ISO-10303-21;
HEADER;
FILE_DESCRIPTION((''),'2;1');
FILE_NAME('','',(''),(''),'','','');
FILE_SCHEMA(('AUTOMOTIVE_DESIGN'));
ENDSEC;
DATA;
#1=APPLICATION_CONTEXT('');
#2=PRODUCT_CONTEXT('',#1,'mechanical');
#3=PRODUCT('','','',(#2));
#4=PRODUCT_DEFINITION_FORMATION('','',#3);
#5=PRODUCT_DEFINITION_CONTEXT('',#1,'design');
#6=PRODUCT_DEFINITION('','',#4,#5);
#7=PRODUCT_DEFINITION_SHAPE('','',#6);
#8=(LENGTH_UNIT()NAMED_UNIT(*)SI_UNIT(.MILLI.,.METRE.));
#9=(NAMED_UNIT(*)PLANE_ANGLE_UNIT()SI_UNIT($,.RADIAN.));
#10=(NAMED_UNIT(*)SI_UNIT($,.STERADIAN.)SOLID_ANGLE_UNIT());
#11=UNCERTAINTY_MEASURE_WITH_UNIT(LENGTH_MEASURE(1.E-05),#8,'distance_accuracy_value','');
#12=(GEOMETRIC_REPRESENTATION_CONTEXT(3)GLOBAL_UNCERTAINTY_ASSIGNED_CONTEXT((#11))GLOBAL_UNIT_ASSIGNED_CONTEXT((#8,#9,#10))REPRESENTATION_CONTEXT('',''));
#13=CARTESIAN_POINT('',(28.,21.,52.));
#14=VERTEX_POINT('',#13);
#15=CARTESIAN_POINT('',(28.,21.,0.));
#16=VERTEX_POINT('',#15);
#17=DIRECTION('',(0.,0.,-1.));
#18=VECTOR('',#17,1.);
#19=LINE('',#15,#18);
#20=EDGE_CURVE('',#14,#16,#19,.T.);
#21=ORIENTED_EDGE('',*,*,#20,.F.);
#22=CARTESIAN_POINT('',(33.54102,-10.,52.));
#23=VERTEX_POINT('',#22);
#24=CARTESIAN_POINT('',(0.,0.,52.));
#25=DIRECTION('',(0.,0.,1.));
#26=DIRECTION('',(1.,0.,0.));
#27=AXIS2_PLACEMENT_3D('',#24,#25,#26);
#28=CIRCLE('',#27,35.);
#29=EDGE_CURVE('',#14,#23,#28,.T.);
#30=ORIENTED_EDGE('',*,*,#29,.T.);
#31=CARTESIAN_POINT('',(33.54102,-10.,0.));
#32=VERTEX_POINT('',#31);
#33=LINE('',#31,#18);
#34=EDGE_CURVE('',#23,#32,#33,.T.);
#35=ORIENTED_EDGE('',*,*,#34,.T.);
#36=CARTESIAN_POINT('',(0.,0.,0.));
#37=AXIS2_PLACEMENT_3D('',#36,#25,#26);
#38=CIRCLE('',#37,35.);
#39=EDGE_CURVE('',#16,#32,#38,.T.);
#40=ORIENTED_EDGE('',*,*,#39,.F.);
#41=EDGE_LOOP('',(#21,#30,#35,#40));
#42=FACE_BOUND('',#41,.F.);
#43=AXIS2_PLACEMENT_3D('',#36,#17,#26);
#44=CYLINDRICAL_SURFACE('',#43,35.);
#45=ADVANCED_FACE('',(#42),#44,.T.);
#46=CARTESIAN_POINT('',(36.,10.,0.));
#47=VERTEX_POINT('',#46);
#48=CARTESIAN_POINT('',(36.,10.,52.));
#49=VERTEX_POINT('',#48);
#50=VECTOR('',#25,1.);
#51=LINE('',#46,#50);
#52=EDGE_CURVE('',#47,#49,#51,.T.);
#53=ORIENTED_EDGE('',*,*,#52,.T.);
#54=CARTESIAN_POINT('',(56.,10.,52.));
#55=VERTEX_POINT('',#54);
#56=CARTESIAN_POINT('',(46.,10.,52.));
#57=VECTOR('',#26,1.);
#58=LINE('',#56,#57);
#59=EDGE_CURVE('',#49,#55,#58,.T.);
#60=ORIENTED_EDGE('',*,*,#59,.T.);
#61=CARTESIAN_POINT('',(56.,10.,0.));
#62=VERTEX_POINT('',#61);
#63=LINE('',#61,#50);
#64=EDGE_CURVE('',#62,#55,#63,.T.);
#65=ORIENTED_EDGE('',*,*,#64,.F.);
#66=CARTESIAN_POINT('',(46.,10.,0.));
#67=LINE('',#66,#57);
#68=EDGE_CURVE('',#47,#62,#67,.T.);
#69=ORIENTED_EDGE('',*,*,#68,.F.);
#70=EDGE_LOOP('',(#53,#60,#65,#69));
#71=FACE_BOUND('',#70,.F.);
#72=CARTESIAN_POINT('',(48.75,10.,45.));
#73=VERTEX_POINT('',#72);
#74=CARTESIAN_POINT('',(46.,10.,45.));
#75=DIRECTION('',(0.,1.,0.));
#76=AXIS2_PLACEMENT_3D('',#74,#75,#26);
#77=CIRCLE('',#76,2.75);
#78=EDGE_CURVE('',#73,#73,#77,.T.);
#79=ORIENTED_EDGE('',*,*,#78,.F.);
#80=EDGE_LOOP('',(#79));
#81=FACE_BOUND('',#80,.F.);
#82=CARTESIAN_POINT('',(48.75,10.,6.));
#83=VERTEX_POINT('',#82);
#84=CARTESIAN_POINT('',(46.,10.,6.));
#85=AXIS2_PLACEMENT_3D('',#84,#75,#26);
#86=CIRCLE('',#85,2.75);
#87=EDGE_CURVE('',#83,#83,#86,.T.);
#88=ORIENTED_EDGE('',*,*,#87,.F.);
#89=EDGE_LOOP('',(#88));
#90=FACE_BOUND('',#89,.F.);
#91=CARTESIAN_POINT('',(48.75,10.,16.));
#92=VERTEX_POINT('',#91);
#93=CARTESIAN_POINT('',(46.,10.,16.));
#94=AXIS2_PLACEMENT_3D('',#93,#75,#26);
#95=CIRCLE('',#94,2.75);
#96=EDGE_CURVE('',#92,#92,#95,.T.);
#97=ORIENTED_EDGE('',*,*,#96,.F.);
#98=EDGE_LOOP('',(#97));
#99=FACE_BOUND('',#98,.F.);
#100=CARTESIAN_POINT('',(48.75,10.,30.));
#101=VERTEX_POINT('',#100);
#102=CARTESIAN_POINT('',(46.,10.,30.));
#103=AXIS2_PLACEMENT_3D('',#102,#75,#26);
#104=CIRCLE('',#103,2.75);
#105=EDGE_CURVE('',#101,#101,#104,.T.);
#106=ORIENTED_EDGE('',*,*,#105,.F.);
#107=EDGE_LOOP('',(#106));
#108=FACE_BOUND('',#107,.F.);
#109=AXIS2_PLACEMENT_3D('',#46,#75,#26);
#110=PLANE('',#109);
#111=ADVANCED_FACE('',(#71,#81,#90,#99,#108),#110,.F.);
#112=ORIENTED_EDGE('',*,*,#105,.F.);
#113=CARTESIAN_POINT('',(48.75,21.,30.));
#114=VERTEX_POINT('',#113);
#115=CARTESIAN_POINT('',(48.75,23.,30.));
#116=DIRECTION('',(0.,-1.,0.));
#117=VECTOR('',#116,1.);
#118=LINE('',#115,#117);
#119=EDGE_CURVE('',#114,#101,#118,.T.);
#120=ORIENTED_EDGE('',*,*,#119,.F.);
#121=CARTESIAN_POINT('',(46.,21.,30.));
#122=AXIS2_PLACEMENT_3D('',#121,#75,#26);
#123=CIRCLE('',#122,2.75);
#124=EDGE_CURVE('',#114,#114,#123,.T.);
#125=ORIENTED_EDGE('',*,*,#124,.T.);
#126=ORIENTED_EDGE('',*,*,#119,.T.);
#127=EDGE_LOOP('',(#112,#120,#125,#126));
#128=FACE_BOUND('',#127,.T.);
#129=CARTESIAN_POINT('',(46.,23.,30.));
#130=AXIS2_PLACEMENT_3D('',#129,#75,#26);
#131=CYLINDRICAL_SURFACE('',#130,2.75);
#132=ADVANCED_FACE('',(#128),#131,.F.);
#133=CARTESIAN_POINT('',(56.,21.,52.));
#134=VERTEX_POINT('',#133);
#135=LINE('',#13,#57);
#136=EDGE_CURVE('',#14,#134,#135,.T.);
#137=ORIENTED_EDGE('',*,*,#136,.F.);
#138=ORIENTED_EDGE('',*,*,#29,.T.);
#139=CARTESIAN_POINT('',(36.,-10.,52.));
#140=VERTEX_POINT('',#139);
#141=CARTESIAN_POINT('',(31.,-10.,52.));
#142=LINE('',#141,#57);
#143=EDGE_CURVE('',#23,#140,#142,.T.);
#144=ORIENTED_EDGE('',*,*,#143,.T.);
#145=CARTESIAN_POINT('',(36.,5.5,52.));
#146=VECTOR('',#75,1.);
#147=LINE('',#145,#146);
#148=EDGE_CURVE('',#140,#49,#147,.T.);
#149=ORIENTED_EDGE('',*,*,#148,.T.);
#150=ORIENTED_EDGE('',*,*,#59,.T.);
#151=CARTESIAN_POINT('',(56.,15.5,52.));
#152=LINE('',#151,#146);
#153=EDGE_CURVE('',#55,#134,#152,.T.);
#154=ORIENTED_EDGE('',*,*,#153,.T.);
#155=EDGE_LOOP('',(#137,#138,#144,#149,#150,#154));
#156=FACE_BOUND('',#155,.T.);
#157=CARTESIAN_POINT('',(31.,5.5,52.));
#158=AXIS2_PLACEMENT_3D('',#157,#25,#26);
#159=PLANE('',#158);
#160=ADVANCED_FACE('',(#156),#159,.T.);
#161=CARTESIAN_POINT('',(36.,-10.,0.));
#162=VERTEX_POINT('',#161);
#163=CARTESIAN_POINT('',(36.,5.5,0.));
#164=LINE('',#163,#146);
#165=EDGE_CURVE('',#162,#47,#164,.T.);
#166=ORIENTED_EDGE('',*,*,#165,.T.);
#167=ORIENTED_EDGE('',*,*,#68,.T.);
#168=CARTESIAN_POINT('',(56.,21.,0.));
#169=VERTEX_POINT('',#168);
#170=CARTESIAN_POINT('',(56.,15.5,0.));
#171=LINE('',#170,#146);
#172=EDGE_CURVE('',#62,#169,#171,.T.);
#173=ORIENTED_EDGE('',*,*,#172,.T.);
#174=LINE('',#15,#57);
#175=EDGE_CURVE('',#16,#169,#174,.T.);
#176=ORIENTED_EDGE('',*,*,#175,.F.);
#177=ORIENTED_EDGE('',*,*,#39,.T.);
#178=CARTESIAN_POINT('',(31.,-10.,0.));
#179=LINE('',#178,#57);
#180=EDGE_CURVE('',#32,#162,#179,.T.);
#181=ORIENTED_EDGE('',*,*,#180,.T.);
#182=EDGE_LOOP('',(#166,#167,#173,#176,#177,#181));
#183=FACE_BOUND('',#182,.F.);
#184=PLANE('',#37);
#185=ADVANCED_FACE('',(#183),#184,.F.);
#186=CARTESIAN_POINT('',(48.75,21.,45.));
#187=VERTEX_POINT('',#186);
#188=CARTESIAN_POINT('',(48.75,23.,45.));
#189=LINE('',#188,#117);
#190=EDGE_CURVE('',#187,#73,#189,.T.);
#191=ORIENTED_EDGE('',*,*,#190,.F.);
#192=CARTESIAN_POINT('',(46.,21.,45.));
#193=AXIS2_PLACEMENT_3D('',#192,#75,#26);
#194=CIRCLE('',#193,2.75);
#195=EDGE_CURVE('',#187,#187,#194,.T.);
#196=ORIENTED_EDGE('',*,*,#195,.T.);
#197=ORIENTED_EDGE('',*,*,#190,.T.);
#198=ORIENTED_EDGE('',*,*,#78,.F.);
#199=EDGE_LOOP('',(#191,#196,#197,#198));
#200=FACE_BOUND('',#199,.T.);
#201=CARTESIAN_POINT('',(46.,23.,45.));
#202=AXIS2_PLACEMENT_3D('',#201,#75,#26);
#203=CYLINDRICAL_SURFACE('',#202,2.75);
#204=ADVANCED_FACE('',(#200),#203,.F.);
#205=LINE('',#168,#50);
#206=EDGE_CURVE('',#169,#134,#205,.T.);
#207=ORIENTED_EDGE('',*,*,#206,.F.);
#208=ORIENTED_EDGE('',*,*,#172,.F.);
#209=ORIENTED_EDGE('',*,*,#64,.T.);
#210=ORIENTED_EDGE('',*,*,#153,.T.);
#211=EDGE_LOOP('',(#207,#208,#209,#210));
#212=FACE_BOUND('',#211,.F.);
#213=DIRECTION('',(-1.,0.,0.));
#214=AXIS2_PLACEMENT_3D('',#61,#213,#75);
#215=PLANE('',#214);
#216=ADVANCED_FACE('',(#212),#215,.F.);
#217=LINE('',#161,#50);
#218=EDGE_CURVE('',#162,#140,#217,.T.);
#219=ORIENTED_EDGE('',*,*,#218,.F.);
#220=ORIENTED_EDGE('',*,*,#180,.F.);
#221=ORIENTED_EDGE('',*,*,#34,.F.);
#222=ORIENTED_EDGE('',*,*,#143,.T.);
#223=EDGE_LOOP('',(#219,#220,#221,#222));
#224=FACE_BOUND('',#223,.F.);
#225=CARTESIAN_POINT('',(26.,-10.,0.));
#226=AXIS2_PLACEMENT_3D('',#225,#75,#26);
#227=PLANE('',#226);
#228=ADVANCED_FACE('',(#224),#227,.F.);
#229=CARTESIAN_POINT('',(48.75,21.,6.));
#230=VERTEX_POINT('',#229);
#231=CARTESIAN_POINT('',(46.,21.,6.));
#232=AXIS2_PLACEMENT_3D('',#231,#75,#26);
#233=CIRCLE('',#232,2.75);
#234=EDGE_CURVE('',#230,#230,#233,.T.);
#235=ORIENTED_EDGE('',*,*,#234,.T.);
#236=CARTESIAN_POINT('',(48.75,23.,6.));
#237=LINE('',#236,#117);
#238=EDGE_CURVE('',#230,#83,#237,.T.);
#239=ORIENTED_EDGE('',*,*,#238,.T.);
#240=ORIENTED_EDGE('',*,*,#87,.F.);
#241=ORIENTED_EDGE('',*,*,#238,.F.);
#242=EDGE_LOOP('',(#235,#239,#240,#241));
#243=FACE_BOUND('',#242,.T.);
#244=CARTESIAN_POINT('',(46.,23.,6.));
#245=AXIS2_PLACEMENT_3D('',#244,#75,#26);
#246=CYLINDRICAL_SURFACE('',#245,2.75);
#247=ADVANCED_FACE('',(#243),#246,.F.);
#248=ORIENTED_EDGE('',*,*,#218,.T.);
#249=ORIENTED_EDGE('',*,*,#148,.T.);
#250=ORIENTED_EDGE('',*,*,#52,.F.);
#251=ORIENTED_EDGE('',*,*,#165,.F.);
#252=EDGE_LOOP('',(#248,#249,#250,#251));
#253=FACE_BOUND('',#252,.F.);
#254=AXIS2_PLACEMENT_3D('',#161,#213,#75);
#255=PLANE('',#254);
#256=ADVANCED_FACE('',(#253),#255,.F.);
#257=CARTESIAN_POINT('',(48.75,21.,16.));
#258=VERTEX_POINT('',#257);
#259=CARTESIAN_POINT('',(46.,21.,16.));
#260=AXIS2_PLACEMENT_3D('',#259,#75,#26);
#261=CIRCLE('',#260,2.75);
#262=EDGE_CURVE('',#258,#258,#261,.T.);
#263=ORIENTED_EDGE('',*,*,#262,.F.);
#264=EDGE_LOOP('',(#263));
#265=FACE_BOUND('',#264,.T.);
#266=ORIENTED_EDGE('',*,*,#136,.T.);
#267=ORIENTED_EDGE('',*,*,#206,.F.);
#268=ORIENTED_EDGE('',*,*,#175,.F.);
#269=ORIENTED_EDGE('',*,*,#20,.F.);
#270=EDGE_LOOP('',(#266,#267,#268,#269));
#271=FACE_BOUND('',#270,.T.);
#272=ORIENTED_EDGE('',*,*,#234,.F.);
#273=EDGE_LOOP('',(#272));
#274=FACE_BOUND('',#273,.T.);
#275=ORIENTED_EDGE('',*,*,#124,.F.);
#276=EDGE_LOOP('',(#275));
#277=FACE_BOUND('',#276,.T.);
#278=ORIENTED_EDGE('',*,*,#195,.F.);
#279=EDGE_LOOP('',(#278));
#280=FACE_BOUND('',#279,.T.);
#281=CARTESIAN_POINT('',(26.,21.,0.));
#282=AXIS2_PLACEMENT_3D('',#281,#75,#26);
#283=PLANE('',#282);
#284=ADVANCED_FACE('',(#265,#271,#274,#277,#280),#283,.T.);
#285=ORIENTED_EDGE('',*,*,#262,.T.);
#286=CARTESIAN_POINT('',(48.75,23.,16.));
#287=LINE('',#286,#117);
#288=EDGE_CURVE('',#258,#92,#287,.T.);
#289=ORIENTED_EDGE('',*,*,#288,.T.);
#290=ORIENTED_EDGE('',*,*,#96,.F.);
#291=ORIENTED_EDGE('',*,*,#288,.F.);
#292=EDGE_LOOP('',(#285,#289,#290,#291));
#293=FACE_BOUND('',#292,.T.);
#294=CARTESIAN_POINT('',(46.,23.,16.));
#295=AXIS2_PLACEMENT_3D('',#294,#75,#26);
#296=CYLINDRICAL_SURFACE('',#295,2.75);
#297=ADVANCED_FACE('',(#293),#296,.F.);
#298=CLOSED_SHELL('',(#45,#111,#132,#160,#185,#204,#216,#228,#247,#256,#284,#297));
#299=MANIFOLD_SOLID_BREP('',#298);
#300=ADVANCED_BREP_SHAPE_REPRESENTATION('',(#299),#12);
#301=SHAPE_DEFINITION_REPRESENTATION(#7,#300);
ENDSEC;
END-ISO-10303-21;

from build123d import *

# Parameters (mm, degrees)
CYLINDER001_R          = 2.75
CYLINDER001_DEPTH      = 15
CYLINDER001_ROLL_ANGLE = 90
CYLINDER002_R          = 2.75
CYLINDER002_DEPTH      = 15
CYLINDER002_ROLL_ANGLE = 90
CYLINDER003_R          = 2.75
CYLINDER003_DEPTH      = 15
CYLINDER003_ROLL_ANGLE = 90
CYLINDER_R             = 2.75
CYLINDER_DEPTH         = 15
CYLINDER_ROLL_ANGLE    = 90
BOX_W                  = 20
BOX_H                  = 11
BOX_DEPTH              = 52
BOX001_W               = 10
BOX001_H               = 31
BOX001_DEPTH           = 52
CYLINDER004_R          = 35
CYLINDER004_DEPTH      = 52


with BuildPart() as cylinder001:
    # Cylinder001 → Cylinder001 (new body)
    with BuildSketch(Plane.XY):
        Circle(CYLINDER001_R)
    extrude(amount=CYLINDER001_DEPTH)


with BuildPart() as cylinder001_1:
    # Cylinder001 roll: moved
    add(cylinder001.part.rotate(Axis((0, 0, 0), (1, 0, 0)), CYLINDER001_ROLL_ANGLE))


with BuildPart() as cylinder001_2:
    # Cylinder001 placement: moved
    add(cylinder001_1.part.moved(Location((46, 23, 6))))


with BuildPart() as cylinder002:
    # Cylinder002 → Cylinder002 (new body)
    with BuildSketch(Plane.XY):
        Circle(CYLINDER002_R)
    extrude(amount=CYLINDER002_DEPTH)


with BuildPart() as cylinder002_1:
    # Cylinder002 roll: moved
    add(cylinder002.part.rotate(Axis((0, 0, 0), (1, 0, 0)), CYLINDER002_ROLL_ANGLE))


with BuildPart() as cylinder002_2:
    # Cylinder002 placement: moved
    add(cylinder002_1.part.moved(Location((46, 23, 16))))


with BuildPart() as cylinder003:
    # Cylinder003 → Cylinder003 (new body)
    with BuildSketch(Plane.XY):
        Circle(CYLINDER003_R)
    extrude(amount=CYLINDER003_DEPTH)


with BuildPart() as cylinder003_1:
    # Cylinder003 roll: moved
    add(cylinder003.part.rotate(Axis((0, 0, 0), (1, 0, 0)), CYLINDER003_ROLL_ANGLE))


with BuildPart() as cylinder003_2:
    # Cylinder003 placement: moved
    add(cylinder003_1.part.moved(Location((46, 23, 45))))


with BuildPart() as negative_fusion:
    # Cylinder → Cylinder (new body)
    with BuildSketch(Plane.XY):
        Circle(CYLINDER_R)
    extrude(amount=CYLINDER_DEPTH)


with BuildPart() as negative_fusion_1:
    # Cylinder roll: moved
    add(negative_fusion.part.rotate(Axis((0, 0, 0), (1, 0, 0)), CYLINDER_ROLL_ANGLE))


with BuildPart() as negative_fusion_2:
    # Cylinder placement: moved
    add(negative_fusion_1.part.moved(Location((46, 23, 30))))

    # Fusion: union Cylinder001, Cylinder002, Cylinder003
    add(cylinder001_2.part)
    add(cylinder002_2.part)
    add(cylinder003_2.part)


with BuildPart() as cube:
    # Box → Box (new body)
    with BuildSketch(Plane(origin=(36, 10, 0), x_dir=(1, 0, 0), z_dir=(0, 0, 1))):
        with Locations((10, 5.5)):
            Rectangle(BOX_W, BOX_H)
    extrude(amount=BOX_DEPTH)


with BuildPart() as cube001:
    # Box001 → Box001 (new body)
    with BuildSketch(Plane(origin=(26, -10, 0), x_dir=(1, 0, 0), z_dir=(0, 0, 1))):
        with Locations((5, 15.5)):
            Rectangle(BOX001_W, BOX001_H)
    extrude(amount=BOX001_DEPTH)


with BuildPart() as cut:
    # Cylinder004 → Cylinder004 (new body)
    with BuildSketch(Plane.XY):
        Circle(CYLINDER004_R)
    extrude(amount=CYLINDER004_DEPTH)

    # Fusion001: union Cube, Cube001
    add(cube.part)
    add(cube001.part)

    # Cut: cut Negative Fusion
    add(negative_fusion_2.part, mode=Mode.SUBTRACT)


solid = cut.part
